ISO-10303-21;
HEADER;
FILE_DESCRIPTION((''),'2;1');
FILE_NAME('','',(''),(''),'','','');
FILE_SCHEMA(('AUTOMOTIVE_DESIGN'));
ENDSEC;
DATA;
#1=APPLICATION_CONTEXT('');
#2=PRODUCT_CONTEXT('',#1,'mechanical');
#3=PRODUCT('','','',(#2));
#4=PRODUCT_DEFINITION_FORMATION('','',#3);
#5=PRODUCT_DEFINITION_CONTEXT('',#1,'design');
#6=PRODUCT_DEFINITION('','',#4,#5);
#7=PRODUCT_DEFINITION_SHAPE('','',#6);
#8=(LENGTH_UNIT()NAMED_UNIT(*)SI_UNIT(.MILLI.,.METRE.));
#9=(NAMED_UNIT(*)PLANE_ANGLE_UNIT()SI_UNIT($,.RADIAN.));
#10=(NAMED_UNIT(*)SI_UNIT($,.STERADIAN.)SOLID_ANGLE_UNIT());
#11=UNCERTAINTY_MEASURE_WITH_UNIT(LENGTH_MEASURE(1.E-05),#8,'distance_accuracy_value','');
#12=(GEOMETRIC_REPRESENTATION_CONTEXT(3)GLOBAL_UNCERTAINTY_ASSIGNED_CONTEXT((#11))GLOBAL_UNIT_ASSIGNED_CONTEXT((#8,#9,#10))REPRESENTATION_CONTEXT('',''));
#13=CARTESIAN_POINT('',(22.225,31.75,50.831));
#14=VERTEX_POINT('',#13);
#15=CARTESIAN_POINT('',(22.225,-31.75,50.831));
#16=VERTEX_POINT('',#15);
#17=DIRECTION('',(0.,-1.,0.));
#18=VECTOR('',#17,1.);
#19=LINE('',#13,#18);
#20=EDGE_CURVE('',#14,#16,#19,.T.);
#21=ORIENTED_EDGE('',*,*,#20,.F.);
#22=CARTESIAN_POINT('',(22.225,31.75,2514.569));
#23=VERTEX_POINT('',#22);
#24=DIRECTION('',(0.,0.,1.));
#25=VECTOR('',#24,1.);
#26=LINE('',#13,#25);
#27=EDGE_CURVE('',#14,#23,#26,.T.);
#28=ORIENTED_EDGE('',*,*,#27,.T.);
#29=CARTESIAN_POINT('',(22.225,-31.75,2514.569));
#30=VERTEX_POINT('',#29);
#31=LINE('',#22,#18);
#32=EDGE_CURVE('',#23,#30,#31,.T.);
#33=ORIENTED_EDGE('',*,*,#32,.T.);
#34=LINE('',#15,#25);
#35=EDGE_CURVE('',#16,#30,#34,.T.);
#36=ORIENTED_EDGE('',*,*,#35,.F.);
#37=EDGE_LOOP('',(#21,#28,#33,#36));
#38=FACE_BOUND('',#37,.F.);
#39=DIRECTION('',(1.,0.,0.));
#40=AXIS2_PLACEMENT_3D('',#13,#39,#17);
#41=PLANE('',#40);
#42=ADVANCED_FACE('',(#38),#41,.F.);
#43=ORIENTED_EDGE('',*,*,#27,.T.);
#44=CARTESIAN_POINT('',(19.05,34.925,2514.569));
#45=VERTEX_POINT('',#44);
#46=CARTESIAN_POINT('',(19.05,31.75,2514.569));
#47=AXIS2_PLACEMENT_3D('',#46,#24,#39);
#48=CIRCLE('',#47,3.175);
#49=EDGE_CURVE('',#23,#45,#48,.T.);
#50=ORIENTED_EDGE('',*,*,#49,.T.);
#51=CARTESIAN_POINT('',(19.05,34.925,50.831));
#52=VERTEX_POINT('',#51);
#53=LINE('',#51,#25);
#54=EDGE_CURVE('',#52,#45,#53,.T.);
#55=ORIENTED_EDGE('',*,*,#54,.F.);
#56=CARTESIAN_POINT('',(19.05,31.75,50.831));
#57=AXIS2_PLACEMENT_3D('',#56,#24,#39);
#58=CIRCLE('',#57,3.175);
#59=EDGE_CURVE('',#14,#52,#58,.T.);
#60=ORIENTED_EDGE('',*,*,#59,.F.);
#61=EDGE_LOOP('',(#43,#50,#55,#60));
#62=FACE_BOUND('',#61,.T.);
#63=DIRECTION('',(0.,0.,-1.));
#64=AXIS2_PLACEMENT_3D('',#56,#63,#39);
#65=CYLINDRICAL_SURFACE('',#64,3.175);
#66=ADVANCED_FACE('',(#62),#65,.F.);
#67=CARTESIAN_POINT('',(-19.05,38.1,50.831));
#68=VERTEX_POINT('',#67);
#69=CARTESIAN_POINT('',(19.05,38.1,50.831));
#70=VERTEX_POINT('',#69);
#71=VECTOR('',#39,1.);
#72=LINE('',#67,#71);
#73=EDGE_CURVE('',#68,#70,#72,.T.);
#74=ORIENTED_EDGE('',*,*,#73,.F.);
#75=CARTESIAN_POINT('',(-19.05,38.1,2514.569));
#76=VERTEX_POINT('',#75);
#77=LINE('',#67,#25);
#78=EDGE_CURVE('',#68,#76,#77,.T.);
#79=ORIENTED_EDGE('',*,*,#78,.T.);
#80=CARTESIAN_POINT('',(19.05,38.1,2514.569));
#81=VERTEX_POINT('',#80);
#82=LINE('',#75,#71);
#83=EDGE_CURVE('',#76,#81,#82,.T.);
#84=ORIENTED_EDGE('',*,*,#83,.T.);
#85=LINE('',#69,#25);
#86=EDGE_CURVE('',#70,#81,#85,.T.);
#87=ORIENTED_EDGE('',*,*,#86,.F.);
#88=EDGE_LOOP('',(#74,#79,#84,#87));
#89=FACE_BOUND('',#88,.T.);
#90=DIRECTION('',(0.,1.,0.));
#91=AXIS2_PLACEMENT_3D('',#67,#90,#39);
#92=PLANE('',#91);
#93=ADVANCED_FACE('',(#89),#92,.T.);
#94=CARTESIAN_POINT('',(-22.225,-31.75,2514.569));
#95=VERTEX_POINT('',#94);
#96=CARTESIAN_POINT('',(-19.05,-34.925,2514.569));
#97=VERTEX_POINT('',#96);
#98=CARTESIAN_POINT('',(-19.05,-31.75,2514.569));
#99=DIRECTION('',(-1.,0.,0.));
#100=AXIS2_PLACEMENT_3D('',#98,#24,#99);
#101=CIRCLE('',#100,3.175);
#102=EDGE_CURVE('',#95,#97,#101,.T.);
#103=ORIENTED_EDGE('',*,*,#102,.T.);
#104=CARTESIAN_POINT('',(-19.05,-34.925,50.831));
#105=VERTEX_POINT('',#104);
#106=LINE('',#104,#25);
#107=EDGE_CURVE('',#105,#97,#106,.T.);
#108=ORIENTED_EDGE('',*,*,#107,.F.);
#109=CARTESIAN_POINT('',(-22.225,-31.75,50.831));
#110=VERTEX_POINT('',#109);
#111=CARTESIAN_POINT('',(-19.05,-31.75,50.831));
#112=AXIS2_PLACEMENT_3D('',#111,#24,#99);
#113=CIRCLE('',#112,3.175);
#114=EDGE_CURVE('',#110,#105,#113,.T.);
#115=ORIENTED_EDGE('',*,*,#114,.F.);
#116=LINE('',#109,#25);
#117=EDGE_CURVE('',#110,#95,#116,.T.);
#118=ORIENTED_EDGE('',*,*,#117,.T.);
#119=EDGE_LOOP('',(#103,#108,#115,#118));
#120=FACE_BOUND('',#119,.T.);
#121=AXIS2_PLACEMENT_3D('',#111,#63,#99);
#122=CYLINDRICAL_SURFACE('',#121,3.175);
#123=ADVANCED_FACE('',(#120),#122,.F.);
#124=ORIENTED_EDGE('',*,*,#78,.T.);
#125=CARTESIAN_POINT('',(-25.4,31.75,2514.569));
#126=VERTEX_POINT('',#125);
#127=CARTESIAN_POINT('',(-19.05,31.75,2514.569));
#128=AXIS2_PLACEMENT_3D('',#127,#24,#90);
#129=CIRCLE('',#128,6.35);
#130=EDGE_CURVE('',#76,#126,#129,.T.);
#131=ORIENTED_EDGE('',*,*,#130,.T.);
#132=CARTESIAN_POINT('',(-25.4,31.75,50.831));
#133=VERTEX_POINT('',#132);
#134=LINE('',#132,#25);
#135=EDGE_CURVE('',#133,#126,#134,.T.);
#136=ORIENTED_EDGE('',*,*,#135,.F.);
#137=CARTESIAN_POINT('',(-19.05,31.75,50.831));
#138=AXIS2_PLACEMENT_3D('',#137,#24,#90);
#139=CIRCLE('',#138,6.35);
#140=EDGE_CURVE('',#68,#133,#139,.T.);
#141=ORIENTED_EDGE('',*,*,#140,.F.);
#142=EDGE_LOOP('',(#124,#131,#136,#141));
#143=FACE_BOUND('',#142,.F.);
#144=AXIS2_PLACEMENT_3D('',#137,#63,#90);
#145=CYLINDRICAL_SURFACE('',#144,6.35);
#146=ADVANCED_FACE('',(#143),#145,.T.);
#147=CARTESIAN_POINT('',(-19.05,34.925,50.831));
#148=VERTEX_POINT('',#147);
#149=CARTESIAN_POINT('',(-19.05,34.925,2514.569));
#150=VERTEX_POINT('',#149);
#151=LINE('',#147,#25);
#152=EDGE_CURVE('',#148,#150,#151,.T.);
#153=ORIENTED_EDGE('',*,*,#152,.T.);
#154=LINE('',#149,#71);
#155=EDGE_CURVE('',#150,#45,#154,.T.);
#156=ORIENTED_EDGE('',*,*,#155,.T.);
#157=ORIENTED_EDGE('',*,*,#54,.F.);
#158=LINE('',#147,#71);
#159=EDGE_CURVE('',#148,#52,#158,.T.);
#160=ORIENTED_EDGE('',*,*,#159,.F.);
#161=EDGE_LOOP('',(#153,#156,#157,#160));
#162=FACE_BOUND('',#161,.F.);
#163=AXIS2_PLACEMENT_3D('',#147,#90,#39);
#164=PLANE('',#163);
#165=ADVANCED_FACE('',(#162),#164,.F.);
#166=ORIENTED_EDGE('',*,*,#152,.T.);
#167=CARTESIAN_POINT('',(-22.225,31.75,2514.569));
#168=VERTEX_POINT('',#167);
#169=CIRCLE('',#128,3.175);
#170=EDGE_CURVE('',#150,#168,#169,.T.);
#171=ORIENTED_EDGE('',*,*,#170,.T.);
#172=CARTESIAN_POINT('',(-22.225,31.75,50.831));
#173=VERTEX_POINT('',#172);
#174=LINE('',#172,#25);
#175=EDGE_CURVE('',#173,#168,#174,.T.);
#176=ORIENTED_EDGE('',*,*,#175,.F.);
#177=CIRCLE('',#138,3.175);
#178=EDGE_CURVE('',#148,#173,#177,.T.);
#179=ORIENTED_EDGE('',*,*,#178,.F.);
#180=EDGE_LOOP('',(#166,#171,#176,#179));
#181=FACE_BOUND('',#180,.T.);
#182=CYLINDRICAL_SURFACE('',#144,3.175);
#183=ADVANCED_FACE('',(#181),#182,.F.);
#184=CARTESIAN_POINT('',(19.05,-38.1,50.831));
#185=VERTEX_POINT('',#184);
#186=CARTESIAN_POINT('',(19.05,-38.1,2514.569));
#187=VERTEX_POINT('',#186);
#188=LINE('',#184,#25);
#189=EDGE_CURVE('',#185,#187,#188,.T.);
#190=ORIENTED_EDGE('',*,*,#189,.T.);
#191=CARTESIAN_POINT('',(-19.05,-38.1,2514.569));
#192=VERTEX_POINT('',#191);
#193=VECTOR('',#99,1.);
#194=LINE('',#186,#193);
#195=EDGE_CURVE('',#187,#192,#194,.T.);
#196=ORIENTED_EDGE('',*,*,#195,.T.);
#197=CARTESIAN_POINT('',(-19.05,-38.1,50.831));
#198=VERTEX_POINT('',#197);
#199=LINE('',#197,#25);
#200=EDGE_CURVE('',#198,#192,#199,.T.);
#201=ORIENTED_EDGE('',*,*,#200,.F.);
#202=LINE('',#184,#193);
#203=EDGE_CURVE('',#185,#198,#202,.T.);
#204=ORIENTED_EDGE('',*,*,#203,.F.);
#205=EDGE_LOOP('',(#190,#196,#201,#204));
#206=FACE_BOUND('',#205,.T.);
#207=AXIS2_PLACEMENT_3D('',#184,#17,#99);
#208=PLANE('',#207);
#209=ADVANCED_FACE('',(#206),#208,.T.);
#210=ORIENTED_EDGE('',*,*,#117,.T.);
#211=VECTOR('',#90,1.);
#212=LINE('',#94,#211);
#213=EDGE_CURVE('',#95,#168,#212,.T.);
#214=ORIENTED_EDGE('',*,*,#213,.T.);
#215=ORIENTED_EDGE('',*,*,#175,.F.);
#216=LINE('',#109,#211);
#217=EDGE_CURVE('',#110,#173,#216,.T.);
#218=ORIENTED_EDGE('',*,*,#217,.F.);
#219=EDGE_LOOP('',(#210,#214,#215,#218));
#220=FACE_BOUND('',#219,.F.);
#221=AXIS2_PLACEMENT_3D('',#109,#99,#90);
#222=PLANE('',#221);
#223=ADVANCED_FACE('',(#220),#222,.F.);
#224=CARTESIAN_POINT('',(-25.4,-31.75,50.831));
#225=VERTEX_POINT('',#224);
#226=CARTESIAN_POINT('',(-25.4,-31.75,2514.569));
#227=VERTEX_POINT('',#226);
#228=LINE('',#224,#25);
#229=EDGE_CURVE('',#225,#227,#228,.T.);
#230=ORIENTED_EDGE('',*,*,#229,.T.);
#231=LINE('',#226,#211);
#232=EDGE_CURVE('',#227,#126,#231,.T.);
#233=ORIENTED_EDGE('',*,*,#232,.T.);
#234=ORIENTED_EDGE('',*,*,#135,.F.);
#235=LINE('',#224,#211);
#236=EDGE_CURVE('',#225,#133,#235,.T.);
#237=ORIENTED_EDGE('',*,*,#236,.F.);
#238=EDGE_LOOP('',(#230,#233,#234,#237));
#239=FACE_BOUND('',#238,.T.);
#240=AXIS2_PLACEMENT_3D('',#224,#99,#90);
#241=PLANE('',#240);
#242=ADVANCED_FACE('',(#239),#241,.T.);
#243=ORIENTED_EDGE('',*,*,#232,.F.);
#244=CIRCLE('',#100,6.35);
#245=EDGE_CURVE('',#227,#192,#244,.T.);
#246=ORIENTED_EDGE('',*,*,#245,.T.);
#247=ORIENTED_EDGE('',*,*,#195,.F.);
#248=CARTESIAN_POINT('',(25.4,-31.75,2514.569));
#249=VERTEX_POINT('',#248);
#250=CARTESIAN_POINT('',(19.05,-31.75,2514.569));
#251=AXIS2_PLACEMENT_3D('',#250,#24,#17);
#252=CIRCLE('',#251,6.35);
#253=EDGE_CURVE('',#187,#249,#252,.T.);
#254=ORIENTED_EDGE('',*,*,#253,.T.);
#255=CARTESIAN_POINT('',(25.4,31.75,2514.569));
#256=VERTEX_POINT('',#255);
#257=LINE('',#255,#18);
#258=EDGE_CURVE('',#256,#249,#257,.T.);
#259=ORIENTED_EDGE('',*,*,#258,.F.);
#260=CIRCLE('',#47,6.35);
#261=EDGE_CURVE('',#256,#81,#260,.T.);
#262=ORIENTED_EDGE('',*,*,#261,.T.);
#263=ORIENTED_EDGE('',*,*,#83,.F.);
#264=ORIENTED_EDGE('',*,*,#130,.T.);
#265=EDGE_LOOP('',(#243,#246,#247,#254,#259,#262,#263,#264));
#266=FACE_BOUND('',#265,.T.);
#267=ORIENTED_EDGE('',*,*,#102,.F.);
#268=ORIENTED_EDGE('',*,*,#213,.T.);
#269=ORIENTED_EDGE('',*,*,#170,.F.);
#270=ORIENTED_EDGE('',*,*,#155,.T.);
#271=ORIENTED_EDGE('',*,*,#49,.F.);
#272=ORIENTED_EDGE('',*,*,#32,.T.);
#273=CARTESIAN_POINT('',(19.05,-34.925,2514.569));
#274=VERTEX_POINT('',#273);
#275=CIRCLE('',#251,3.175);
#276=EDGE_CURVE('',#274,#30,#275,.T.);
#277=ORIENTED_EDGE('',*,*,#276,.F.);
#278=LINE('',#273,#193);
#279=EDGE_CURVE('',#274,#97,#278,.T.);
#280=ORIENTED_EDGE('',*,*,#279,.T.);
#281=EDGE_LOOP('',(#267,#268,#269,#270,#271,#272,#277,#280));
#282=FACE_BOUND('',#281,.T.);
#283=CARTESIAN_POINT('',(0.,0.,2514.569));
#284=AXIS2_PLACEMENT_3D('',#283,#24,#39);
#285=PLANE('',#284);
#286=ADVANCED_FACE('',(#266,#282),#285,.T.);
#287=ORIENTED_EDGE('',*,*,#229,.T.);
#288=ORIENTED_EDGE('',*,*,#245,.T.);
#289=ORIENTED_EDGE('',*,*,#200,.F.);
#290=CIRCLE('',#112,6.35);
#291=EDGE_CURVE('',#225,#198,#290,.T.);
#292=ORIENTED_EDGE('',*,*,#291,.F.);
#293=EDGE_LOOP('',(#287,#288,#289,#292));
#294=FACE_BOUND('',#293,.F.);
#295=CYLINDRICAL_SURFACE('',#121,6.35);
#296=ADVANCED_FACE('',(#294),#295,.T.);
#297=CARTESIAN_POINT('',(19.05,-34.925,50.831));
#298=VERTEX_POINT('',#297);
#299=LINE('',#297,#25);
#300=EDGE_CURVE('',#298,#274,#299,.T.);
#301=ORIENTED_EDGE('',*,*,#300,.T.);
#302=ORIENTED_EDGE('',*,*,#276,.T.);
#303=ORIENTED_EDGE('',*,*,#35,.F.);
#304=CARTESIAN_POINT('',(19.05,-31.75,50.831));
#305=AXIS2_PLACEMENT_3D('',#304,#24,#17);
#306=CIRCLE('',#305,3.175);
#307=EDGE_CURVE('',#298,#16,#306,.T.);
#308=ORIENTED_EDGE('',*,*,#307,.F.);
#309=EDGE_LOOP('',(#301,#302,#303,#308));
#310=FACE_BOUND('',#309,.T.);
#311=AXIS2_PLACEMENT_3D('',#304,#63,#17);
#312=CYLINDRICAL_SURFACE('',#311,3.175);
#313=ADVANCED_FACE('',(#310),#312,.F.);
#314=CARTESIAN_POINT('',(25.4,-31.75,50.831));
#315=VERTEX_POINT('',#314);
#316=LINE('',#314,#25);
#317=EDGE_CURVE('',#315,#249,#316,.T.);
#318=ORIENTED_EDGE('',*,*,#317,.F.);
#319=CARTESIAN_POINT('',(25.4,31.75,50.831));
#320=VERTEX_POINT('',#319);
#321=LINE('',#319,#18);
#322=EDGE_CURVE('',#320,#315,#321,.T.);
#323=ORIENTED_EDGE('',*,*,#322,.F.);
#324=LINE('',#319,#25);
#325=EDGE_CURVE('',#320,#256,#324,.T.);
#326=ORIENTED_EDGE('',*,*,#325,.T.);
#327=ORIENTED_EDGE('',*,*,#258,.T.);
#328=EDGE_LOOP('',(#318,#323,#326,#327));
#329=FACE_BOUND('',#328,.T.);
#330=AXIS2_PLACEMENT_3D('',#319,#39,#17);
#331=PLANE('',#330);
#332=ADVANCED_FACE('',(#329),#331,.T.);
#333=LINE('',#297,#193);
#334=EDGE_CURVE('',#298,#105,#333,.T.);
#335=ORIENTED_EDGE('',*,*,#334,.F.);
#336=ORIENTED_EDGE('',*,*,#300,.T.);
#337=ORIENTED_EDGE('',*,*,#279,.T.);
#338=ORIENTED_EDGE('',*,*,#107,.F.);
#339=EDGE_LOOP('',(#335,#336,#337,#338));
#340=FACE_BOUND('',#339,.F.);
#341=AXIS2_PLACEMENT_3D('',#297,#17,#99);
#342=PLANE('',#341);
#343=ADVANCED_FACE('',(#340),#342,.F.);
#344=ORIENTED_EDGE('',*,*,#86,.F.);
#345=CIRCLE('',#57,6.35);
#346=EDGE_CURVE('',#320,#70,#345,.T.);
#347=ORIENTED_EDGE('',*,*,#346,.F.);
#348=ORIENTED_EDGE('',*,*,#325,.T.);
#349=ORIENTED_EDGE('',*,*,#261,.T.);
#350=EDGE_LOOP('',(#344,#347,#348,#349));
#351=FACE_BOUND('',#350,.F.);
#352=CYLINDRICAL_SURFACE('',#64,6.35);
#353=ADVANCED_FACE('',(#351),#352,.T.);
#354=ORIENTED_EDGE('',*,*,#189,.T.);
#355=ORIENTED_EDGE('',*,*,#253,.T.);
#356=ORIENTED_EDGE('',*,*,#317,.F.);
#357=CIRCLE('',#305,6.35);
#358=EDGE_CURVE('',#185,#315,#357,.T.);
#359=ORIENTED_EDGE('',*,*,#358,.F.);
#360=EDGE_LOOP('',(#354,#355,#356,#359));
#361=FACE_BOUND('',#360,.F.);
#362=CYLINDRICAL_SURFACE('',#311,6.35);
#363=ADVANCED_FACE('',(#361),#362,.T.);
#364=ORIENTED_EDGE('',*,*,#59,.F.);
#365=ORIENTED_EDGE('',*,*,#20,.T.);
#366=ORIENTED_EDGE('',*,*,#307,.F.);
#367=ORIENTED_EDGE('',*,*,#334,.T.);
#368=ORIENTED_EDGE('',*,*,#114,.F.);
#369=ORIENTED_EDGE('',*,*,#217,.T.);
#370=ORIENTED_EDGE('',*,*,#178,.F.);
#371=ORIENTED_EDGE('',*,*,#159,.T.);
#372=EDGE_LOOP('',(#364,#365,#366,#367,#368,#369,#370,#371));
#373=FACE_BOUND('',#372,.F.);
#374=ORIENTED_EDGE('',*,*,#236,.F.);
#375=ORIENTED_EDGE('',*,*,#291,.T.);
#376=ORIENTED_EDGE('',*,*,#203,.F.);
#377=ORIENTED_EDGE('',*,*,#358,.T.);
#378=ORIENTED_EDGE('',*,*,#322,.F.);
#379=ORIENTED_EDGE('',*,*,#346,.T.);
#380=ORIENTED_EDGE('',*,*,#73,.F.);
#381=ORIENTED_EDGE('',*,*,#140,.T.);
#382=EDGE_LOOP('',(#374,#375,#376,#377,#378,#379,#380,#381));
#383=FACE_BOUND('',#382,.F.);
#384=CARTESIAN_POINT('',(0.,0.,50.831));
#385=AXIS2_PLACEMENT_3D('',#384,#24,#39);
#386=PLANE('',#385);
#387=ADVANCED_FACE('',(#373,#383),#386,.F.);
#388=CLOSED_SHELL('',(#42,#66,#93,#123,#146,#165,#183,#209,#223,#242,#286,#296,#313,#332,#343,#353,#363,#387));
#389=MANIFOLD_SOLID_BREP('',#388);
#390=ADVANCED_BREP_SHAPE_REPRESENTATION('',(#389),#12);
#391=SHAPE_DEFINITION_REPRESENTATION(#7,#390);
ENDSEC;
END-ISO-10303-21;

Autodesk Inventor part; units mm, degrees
ref_plane "Start Plane" through (0, 0, 50.831) normal (0, 0, 1) x (1, 0, 0)
ref_plane "End Plane" through (0, 0, 2514.569) normal (0, 0, 1) x (1, 0, 0)
sketch "Sketch" plane through (0, 0, 0) normal (0, 0, 1) x (1, 0, 0)
  line L0 (-25.4, -31.75) -> (-25.4, 31.75)
  line L1 (-19.05, 38.1) -> (19.05, 38.1)
  line L2 (25.4, 31.75) -> (25.4, -31.75)
  line L3 (19.05, -38.1) -> (-19.05, -38.1)
  arc A0 (-25.4, -31.75) -> (-19.05, -38.1) centre (-19.05, -31.75) ccw
  arc A1 (-19.05, 38.1) -> (-25.4, 31.75) centre (-19.05, 31.75) ccw
  arc A2 (25.4, 31.75) -> (19.05, 38.1) centre (19.05, 31.75) ccw
  arc A3 (19.05, -38.1) -> (25.4, -31.75) centre (19.05, -31.75) ccw
  arc A4 (-19.05, 34.925) -> (-22.225, 31.75) centre (-19.05, 31.75) ccw
  line L4 (-19.05, 34.925) -> (19.05, 34.925)
  arc A5 (22.225, 31.75) -> (19.05, 34.925) centre (19.05, 31.75) ccw
  line L5 (22.225, 31.75) -> (22.225, -31.75)
  arc A6 (19.05, -34.925) -> (22.225, -31.75) centre (19.05, -31.75) ccw
  line L6 (19.05, -34.925) -> (-19.05, -34.925)
  arc A7 (-22.225, -31.75) -> (-19.05, -34.925) centre (-19.05, -31.75) ccw
  line L7 (-22.225, -31.75) -> (-22.225, 31.75)
  line L8 (0, 55.1812) -> (0, -55.1812) construction
  line L9 (-37.4012, 0) -> (37.4012, 0) construction
  dimension "d10" = 76.2
  dimension "d11" = 50.8
  dimension "d12" = 3.175
  dimension "d15" = 38.1
  dimension "d16" = 25.4
  dimension "d17" = 6.35
extrude "Body" add sketch "Sketch" along normal up to surface (2463.738 mm away) from surface at 50.831
sketch "Sketch3" plane through (0, 0, 0) normal (0, 0, 1) x (1, 0, 0)
  line L0 (0, 0) -> (10, 0)
ref_plane "Work Plane3" through (0, 0, 0) normal (0, -1, 0) x (1, 0, 0)
ref_plane "Work Plane4" through (1295.4, -31.75, 2514.569) normal (0, 0, 1) x (1, 0, 0)
split "Split1" plane through (1295.4, -31.75, 2514.569) removes the side toward (0, 0, 1)
ref_plane "Work Plane5" through (1295.4, 31.75, 50.831) normal (0, 0, -1) x (-1, 0, 0)
split "Split2" plane through (1295.4, 31.75, 50.831) removes the side toward (0, 0, -1)
sketch "Sketch4" plane through (0, 0, 0) normal (0, -1, 0) x (1, 0, 0)
  line L0 (-2, 50.831) -> (12, 50.831) projected
  line L1 (-2, 2514.569) -> (12, 2514.569) projected
  dimension "d19" = 2463.738
equation "\"d10\" = G_H"
equation "\"d11\" = G_W"
equation "\"d12\" = G_T"
equation "\"d15\" = 0.5 * d10"
equation "\"d16\" = 0.5 * d11"
equation "\"d17\" = G_IR"
equation "\"d3\" = G_L"
equation "\"G_W\" = 50.8"
equation "\"G_H\" = 76.2"
equation "\"G_T\" = 3.175"
equation "\"G_IR\" = 6.35"
equation "\"G_L\" = d19"
equation "\"G_OFFSET_START\" = -50.831"
equation "\"G_OFFSET_END\" = -50.831"
equation "\"d13\" = -G_OFFSET_START"
equation "\"d14\" = G_OFFSET_END + B_L"
equation "\"B_L\" = 2565.4"
properties part number "AISC - 3 x 2 x 1/8 - 96.998" material "Steel, Mild"
